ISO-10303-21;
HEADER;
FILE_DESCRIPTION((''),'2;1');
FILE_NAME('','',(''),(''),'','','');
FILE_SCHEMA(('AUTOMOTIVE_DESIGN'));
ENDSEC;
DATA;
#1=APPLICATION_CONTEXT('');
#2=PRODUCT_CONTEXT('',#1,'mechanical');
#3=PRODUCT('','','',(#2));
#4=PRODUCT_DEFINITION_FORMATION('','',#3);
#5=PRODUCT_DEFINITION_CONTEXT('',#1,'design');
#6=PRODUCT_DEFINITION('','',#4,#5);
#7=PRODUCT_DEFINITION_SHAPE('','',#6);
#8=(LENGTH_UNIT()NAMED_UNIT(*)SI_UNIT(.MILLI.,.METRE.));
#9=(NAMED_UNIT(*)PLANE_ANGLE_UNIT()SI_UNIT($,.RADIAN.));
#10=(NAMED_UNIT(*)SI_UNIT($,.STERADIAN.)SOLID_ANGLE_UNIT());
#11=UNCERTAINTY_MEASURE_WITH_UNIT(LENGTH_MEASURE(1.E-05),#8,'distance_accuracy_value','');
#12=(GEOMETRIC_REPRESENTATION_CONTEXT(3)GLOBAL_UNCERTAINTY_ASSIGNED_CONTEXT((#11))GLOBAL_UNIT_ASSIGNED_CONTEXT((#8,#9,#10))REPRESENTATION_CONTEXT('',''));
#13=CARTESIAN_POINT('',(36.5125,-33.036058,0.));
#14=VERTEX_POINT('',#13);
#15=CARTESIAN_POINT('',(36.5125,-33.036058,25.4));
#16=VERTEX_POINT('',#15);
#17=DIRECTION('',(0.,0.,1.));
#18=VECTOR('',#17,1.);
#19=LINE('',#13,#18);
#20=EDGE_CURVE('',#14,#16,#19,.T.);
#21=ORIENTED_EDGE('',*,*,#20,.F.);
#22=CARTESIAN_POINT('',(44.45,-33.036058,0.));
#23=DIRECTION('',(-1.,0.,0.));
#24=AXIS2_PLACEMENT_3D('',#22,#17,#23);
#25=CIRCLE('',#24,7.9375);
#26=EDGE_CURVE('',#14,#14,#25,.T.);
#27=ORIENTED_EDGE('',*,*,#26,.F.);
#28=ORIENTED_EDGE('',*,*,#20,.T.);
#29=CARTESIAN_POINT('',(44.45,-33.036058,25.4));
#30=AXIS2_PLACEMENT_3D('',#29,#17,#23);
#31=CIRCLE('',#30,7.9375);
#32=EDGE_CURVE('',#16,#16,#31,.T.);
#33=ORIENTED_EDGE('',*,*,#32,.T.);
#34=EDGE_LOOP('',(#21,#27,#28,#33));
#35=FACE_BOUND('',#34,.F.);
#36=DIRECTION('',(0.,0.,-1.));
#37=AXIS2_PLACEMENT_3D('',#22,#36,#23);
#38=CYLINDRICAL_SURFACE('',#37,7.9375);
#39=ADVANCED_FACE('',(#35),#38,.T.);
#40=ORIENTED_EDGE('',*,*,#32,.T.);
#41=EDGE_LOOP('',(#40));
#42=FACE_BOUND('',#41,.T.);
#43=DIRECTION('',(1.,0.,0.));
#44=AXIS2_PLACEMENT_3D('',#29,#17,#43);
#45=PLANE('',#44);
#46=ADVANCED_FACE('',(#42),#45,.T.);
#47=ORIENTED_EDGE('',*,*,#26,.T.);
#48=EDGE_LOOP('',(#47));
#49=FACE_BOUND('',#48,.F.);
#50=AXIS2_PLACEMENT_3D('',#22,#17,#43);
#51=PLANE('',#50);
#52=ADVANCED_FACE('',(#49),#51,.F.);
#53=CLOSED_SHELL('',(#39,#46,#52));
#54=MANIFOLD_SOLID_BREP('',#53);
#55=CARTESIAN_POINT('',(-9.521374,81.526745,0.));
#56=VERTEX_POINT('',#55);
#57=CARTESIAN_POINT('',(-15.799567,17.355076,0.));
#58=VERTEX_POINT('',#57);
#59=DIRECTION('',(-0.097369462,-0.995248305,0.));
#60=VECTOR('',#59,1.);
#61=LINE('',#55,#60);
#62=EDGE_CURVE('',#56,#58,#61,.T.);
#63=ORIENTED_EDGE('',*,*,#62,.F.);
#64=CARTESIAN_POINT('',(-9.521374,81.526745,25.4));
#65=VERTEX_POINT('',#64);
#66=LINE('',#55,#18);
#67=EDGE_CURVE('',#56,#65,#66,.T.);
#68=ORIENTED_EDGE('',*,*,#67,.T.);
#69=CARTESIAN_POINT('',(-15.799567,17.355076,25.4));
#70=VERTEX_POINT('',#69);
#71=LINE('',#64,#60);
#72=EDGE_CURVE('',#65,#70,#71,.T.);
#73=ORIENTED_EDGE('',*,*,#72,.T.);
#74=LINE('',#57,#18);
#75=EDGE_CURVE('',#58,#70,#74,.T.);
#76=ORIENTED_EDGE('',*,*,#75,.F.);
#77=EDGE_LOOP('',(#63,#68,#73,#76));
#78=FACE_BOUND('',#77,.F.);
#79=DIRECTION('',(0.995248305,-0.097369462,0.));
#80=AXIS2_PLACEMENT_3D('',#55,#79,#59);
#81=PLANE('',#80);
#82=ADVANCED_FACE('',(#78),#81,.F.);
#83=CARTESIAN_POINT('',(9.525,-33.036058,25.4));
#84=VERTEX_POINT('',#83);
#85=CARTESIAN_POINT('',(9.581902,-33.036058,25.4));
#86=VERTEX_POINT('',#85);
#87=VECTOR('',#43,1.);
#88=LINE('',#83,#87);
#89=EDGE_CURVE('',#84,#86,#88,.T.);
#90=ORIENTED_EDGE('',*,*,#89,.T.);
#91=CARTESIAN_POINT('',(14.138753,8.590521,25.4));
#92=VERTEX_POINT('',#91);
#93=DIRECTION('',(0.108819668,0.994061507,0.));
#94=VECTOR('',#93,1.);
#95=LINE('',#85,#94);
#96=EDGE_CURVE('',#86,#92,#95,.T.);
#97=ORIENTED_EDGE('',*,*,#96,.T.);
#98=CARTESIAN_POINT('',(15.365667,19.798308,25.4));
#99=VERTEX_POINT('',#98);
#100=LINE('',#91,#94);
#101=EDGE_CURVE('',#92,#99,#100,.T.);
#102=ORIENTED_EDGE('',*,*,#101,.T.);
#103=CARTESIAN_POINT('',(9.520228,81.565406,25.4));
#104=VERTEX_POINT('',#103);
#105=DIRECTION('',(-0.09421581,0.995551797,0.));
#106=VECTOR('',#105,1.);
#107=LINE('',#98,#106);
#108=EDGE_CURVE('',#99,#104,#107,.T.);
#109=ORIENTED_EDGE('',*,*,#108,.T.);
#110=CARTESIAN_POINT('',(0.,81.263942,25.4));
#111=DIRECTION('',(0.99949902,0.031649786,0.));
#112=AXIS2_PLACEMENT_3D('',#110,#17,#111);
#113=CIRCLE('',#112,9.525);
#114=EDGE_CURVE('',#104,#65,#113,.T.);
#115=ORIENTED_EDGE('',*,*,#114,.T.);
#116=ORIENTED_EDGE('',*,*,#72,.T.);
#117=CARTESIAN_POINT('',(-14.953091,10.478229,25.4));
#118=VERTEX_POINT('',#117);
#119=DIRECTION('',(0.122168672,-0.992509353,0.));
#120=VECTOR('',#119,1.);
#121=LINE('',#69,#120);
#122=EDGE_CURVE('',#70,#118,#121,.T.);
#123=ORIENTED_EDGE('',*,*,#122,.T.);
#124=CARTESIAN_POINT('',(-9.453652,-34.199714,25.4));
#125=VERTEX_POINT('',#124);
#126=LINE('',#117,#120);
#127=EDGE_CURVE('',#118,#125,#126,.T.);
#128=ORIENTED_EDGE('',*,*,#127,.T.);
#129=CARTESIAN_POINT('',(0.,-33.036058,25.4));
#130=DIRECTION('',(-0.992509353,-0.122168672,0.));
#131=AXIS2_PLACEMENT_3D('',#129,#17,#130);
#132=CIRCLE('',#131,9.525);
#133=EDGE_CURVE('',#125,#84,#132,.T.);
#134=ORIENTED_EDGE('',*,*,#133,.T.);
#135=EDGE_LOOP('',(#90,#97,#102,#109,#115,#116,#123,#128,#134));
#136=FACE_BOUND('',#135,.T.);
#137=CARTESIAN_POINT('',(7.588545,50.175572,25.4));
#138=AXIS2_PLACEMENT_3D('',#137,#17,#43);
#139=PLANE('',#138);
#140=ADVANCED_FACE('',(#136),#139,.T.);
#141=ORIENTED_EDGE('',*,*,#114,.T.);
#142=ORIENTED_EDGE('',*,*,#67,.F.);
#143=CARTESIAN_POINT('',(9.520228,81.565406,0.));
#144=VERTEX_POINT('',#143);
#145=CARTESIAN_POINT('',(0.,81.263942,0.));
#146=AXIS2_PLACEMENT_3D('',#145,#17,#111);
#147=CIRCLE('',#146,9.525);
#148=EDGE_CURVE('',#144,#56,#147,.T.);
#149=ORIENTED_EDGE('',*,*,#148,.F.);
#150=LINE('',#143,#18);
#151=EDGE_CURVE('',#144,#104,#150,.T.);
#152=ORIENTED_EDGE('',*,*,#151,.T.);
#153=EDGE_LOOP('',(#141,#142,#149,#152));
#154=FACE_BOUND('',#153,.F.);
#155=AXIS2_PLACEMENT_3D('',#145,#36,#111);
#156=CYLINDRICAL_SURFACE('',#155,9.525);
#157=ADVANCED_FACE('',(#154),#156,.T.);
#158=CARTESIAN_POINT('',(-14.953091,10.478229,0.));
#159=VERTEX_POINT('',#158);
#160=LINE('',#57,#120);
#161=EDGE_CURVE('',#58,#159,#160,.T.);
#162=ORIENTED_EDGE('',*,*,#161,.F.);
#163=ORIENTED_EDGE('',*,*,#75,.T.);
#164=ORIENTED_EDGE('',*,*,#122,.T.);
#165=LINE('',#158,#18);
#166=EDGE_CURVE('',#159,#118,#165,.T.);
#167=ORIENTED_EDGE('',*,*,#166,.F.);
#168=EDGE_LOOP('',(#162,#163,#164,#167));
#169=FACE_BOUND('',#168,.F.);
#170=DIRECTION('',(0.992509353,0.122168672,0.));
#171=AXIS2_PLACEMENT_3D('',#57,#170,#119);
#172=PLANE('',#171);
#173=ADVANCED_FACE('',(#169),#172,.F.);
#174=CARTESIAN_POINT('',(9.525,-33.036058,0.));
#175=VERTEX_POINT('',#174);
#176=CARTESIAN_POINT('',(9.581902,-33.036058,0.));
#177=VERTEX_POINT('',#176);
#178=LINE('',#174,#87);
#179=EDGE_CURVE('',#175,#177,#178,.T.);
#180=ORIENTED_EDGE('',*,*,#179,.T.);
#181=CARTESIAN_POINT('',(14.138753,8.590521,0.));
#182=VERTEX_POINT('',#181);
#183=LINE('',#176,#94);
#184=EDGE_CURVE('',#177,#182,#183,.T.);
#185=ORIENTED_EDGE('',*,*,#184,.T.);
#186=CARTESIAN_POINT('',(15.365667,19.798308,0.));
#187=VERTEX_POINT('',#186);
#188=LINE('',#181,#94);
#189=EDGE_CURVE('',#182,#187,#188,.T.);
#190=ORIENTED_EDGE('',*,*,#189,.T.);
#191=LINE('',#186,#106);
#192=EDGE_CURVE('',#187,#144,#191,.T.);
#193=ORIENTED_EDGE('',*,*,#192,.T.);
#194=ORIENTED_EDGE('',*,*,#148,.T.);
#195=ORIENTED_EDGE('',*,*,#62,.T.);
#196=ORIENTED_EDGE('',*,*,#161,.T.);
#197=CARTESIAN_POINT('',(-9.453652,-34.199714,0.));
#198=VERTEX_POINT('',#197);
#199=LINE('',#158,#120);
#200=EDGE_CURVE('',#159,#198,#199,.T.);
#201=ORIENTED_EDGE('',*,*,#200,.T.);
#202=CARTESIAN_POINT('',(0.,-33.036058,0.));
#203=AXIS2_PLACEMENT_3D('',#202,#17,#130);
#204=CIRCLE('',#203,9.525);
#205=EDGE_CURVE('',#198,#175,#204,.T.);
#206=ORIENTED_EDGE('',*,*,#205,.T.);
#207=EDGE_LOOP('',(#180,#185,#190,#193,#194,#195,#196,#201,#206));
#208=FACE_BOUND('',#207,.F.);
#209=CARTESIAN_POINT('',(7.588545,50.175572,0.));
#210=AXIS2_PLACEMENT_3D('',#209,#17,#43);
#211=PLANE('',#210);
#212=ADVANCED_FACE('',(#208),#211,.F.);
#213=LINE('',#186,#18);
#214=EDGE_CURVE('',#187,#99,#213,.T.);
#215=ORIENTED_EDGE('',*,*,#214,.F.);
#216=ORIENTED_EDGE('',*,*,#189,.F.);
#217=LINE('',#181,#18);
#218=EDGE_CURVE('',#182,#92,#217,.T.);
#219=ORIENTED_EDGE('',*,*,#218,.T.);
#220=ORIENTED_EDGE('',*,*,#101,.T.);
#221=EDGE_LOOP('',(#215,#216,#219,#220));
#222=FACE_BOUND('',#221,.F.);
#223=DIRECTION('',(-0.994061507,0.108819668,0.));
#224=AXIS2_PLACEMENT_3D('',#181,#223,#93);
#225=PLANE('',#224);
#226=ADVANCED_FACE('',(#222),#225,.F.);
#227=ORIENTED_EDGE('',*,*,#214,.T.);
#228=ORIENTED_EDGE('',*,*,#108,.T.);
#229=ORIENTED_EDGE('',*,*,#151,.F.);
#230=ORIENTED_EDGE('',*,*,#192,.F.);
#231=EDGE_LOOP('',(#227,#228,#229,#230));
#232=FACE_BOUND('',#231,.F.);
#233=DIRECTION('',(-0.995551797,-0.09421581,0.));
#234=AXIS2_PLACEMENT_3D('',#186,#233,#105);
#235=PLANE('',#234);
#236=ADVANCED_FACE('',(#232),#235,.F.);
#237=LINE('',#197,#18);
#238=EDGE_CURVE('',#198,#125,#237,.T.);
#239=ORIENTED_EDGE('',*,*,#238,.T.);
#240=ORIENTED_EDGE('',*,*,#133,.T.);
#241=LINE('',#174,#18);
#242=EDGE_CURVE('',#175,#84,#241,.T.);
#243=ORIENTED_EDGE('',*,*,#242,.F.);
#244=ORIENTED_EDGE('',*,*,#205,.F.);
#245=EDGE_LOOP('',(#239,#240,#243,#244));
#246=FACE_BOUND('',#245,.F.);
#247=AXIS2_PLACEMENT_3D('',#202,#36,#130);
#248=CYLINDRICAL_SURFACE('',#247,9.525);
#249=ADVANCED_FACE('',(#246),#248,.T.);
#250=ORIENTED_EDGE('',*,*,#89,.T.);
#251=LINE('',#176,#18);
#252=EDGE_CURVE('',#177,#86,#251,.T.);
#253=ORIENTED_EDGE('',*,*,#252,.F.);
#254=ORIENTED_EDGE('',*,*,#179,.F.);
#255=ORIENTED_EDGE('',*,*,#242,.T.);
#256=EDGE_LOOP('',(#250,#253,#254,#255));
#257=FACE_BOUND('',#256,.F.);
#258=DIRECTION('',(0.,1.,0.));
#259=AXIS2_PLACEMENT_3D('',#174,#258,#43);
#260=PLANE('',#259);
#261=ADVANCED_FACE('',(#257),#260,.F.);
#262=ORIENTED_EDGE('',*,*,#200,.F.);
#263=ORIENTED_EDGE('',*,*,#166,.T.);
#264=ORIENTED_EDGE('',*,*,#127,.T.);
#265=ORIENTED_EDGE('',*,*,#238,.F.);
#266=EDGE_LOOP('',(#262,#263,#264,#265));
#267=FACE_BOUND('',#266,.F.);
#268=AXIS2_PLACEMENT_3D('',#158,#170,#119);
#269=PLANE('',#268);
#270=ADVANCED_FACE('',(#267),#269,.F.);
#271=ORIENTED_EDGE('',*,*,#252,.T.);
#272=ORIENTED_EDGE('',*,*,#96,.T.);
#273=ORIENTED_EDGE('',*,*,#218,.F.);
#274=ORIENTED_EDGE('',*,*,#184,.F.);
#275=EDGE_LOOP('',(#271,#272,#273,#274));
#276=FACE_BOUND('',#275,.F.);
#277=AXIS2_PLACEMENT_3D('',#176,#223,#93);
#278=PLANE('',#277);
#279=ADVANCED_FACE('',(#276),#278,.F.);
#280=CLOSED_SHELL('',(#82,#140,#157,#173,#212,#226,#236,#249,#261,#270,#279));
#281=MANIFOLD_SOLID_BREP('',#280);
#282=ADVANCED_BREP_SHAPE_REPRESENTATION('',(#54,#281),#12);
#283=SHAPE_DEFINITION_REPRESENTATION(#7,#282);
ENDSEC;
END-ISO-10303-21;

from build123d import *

# Parameters (mm, degrees)
F1_DEPTH = 25.4


with BuildPart() as f1:
    # F0 (on Top) → F1 (new body)
    with BuildSketch(Plane.XY):
        with BuildLine():
            ThreePointArc((9.525, 81.2639421549), (6.7351920908, 74.5287500641), (0, 71.7389421549))
            Line((0, 71.7389421549), (0, 31.6843353925))
            ThreePointArc((0, 31.6843353925), (9.7131531423, 28.3660181166), (15.3656670562, 19.7983078062))
            Line((15.3656670562, 19.7983078062), (9.5202281659, 81.565406365))
            ThreePointArc((9.5202281659, 81.565406365), (9.5238069667, 81.4146931419), (9.525, 81.2639421549))
        make_face()
        with BuildLine():
            Line((0, 31.6843353925), (0, 71.7389421549))
            ThreePointArc((0, 71.7389421549), (-6.8274747454, 74.6223148241), (-9.5213738308, 81.5267450733))
            Line((-9.5213738308, 81.5267450733), (-15.7995668357, 17.3550756048))
            ThreePointArc((-15.7995668357, 17.3550756048), (-10.6648253415, 27.568464843), (0, 31.6843353925))
        make_face()
        with BuildLine():
            Line((0, -23.5110578451), (0, -0.0656646075))
            ThreePointArc((0, -0.0656646075), (-9.1483416691, 2.8353818814), (-14.9530909628, 10.4782289728))
            Line((-14.9530909628, 10.4782289728), (-9.4536515863, -34.1997144463))
            ThreePointArc((-9.4536515863, -34.1997144463), (-7.1347548706, -26.7256776714), (0, -23.5110578451))
        make_face()
        with BuildLine():
            ThreePointArc((14.1387534307, 8.590521333), (8.2890576004, 2.2702383363), (0, -0.0656646075))
            Line((0, -0.0656646075), (0, -23.5110578451))
            ThreePointArc((0, -23.5110578451), (6.7351920908, -26.3008657543), (9.525, -33.0360578451))
            Line((9.525, -33.0360578451), (9.581902058, -33.0360578451))
            Line((9.581902058, -33.0360578451), (14.1387534307, 8.590521333))
        make_face()
        with BuildLine():
            Line((0, -33.0360578451), (0, -23.5110578451))
            ThreePointArc((0, -23.5110578451), (-7.1347548706, -26.7256776714), (-9.4536515863, -34.1997144463))
            ThreePointArc((-9.4536515863, -34.1997144463), (0.5829209384, -42.5432040089), (9.525, -33.0360578451))
            Line((9.525, -33.0360578451), (0, -33.0360578451))
        make_face()
        with BuildLine():
            ThreePointArc((9.525, -33.0360578451), (6.7351920908, -26.3008657543), (0, -23.5110578451))
            Line((0, -23.5110578451), (0, -33.0360578451))
            Line((0, -33.0360578451), (9.525, -33.0360578451))
        make_face()
        with BuildLine():
            ThreePointArc((-9.5213738308, 81.5267450733), (-6.8274747454, 74.6223148241), (0, 71.7389421549))
            ThreePointArc((0, 71.7389421549), (6.7351920908, 74.5287500641), (9.525, 81.2639421549))
            ThreePointArc((9.525, 81.2639421549), (9.5238069667, 81.4146931419), (9.5202281659, 81.565406365))
            ThreePointArc((9.5202281659, 81.565406365), (-0.0193391315, 90.7889225222), (-9.5213738308, 81.5267450733))
        make_face()
        with BuildLine():
            ThreePointArc((15.3656670562, 19.7983078062), (9.7131531423, 28.3660181166), (0, 31.6843353925))
            Line((0, 31.6843353925), (0, -0.0656646075))
            ThreePointArc((0, -0.0656646075), (8.2890576004, 2.2702383363), (14.1387534307, 8.590521333))
            Line((14.1387534307, 8.590521333), (15.3656670562, 19.7983078062))
        make_face()
        with BuildLine():
            Line((0, -0.0656646075), (0, 31.6843353925))
            ThreePointArc((0, 31.6843353925), (-10.6648253415, 27.568464843), (-15.7995668357, 17.3550756048))
            Line((-15.7995668357, 17.3550756048), (-14.9530909628, 10.4782289728))
            ThreePointArc((-14.9530909628, 10.4782289728), (-9.1483416691, 2.8353818814), (0, -0.0656646075))
        make_face()
    extrude(amount=F1_DEPTH)


with BuildPart() as f1b:
    # F0 (on Top) → F1, piece 2 (new body)
    with BuildSketch(Plane.XY):
        with BuildLine():
            ThreePointArc((52.3875, -33.0360578451), (44.45, -25.0985578451), (36.5125, -33.0360578451))
            ThreePointArc((36.5125, -33.0360578451), (44.45, -40.9735578451), (52.3875, -33.0360578451))
        make_face()
    extrude(amount=F1_DEPTH)


solid = Compound([f1.part, f1b.part])
